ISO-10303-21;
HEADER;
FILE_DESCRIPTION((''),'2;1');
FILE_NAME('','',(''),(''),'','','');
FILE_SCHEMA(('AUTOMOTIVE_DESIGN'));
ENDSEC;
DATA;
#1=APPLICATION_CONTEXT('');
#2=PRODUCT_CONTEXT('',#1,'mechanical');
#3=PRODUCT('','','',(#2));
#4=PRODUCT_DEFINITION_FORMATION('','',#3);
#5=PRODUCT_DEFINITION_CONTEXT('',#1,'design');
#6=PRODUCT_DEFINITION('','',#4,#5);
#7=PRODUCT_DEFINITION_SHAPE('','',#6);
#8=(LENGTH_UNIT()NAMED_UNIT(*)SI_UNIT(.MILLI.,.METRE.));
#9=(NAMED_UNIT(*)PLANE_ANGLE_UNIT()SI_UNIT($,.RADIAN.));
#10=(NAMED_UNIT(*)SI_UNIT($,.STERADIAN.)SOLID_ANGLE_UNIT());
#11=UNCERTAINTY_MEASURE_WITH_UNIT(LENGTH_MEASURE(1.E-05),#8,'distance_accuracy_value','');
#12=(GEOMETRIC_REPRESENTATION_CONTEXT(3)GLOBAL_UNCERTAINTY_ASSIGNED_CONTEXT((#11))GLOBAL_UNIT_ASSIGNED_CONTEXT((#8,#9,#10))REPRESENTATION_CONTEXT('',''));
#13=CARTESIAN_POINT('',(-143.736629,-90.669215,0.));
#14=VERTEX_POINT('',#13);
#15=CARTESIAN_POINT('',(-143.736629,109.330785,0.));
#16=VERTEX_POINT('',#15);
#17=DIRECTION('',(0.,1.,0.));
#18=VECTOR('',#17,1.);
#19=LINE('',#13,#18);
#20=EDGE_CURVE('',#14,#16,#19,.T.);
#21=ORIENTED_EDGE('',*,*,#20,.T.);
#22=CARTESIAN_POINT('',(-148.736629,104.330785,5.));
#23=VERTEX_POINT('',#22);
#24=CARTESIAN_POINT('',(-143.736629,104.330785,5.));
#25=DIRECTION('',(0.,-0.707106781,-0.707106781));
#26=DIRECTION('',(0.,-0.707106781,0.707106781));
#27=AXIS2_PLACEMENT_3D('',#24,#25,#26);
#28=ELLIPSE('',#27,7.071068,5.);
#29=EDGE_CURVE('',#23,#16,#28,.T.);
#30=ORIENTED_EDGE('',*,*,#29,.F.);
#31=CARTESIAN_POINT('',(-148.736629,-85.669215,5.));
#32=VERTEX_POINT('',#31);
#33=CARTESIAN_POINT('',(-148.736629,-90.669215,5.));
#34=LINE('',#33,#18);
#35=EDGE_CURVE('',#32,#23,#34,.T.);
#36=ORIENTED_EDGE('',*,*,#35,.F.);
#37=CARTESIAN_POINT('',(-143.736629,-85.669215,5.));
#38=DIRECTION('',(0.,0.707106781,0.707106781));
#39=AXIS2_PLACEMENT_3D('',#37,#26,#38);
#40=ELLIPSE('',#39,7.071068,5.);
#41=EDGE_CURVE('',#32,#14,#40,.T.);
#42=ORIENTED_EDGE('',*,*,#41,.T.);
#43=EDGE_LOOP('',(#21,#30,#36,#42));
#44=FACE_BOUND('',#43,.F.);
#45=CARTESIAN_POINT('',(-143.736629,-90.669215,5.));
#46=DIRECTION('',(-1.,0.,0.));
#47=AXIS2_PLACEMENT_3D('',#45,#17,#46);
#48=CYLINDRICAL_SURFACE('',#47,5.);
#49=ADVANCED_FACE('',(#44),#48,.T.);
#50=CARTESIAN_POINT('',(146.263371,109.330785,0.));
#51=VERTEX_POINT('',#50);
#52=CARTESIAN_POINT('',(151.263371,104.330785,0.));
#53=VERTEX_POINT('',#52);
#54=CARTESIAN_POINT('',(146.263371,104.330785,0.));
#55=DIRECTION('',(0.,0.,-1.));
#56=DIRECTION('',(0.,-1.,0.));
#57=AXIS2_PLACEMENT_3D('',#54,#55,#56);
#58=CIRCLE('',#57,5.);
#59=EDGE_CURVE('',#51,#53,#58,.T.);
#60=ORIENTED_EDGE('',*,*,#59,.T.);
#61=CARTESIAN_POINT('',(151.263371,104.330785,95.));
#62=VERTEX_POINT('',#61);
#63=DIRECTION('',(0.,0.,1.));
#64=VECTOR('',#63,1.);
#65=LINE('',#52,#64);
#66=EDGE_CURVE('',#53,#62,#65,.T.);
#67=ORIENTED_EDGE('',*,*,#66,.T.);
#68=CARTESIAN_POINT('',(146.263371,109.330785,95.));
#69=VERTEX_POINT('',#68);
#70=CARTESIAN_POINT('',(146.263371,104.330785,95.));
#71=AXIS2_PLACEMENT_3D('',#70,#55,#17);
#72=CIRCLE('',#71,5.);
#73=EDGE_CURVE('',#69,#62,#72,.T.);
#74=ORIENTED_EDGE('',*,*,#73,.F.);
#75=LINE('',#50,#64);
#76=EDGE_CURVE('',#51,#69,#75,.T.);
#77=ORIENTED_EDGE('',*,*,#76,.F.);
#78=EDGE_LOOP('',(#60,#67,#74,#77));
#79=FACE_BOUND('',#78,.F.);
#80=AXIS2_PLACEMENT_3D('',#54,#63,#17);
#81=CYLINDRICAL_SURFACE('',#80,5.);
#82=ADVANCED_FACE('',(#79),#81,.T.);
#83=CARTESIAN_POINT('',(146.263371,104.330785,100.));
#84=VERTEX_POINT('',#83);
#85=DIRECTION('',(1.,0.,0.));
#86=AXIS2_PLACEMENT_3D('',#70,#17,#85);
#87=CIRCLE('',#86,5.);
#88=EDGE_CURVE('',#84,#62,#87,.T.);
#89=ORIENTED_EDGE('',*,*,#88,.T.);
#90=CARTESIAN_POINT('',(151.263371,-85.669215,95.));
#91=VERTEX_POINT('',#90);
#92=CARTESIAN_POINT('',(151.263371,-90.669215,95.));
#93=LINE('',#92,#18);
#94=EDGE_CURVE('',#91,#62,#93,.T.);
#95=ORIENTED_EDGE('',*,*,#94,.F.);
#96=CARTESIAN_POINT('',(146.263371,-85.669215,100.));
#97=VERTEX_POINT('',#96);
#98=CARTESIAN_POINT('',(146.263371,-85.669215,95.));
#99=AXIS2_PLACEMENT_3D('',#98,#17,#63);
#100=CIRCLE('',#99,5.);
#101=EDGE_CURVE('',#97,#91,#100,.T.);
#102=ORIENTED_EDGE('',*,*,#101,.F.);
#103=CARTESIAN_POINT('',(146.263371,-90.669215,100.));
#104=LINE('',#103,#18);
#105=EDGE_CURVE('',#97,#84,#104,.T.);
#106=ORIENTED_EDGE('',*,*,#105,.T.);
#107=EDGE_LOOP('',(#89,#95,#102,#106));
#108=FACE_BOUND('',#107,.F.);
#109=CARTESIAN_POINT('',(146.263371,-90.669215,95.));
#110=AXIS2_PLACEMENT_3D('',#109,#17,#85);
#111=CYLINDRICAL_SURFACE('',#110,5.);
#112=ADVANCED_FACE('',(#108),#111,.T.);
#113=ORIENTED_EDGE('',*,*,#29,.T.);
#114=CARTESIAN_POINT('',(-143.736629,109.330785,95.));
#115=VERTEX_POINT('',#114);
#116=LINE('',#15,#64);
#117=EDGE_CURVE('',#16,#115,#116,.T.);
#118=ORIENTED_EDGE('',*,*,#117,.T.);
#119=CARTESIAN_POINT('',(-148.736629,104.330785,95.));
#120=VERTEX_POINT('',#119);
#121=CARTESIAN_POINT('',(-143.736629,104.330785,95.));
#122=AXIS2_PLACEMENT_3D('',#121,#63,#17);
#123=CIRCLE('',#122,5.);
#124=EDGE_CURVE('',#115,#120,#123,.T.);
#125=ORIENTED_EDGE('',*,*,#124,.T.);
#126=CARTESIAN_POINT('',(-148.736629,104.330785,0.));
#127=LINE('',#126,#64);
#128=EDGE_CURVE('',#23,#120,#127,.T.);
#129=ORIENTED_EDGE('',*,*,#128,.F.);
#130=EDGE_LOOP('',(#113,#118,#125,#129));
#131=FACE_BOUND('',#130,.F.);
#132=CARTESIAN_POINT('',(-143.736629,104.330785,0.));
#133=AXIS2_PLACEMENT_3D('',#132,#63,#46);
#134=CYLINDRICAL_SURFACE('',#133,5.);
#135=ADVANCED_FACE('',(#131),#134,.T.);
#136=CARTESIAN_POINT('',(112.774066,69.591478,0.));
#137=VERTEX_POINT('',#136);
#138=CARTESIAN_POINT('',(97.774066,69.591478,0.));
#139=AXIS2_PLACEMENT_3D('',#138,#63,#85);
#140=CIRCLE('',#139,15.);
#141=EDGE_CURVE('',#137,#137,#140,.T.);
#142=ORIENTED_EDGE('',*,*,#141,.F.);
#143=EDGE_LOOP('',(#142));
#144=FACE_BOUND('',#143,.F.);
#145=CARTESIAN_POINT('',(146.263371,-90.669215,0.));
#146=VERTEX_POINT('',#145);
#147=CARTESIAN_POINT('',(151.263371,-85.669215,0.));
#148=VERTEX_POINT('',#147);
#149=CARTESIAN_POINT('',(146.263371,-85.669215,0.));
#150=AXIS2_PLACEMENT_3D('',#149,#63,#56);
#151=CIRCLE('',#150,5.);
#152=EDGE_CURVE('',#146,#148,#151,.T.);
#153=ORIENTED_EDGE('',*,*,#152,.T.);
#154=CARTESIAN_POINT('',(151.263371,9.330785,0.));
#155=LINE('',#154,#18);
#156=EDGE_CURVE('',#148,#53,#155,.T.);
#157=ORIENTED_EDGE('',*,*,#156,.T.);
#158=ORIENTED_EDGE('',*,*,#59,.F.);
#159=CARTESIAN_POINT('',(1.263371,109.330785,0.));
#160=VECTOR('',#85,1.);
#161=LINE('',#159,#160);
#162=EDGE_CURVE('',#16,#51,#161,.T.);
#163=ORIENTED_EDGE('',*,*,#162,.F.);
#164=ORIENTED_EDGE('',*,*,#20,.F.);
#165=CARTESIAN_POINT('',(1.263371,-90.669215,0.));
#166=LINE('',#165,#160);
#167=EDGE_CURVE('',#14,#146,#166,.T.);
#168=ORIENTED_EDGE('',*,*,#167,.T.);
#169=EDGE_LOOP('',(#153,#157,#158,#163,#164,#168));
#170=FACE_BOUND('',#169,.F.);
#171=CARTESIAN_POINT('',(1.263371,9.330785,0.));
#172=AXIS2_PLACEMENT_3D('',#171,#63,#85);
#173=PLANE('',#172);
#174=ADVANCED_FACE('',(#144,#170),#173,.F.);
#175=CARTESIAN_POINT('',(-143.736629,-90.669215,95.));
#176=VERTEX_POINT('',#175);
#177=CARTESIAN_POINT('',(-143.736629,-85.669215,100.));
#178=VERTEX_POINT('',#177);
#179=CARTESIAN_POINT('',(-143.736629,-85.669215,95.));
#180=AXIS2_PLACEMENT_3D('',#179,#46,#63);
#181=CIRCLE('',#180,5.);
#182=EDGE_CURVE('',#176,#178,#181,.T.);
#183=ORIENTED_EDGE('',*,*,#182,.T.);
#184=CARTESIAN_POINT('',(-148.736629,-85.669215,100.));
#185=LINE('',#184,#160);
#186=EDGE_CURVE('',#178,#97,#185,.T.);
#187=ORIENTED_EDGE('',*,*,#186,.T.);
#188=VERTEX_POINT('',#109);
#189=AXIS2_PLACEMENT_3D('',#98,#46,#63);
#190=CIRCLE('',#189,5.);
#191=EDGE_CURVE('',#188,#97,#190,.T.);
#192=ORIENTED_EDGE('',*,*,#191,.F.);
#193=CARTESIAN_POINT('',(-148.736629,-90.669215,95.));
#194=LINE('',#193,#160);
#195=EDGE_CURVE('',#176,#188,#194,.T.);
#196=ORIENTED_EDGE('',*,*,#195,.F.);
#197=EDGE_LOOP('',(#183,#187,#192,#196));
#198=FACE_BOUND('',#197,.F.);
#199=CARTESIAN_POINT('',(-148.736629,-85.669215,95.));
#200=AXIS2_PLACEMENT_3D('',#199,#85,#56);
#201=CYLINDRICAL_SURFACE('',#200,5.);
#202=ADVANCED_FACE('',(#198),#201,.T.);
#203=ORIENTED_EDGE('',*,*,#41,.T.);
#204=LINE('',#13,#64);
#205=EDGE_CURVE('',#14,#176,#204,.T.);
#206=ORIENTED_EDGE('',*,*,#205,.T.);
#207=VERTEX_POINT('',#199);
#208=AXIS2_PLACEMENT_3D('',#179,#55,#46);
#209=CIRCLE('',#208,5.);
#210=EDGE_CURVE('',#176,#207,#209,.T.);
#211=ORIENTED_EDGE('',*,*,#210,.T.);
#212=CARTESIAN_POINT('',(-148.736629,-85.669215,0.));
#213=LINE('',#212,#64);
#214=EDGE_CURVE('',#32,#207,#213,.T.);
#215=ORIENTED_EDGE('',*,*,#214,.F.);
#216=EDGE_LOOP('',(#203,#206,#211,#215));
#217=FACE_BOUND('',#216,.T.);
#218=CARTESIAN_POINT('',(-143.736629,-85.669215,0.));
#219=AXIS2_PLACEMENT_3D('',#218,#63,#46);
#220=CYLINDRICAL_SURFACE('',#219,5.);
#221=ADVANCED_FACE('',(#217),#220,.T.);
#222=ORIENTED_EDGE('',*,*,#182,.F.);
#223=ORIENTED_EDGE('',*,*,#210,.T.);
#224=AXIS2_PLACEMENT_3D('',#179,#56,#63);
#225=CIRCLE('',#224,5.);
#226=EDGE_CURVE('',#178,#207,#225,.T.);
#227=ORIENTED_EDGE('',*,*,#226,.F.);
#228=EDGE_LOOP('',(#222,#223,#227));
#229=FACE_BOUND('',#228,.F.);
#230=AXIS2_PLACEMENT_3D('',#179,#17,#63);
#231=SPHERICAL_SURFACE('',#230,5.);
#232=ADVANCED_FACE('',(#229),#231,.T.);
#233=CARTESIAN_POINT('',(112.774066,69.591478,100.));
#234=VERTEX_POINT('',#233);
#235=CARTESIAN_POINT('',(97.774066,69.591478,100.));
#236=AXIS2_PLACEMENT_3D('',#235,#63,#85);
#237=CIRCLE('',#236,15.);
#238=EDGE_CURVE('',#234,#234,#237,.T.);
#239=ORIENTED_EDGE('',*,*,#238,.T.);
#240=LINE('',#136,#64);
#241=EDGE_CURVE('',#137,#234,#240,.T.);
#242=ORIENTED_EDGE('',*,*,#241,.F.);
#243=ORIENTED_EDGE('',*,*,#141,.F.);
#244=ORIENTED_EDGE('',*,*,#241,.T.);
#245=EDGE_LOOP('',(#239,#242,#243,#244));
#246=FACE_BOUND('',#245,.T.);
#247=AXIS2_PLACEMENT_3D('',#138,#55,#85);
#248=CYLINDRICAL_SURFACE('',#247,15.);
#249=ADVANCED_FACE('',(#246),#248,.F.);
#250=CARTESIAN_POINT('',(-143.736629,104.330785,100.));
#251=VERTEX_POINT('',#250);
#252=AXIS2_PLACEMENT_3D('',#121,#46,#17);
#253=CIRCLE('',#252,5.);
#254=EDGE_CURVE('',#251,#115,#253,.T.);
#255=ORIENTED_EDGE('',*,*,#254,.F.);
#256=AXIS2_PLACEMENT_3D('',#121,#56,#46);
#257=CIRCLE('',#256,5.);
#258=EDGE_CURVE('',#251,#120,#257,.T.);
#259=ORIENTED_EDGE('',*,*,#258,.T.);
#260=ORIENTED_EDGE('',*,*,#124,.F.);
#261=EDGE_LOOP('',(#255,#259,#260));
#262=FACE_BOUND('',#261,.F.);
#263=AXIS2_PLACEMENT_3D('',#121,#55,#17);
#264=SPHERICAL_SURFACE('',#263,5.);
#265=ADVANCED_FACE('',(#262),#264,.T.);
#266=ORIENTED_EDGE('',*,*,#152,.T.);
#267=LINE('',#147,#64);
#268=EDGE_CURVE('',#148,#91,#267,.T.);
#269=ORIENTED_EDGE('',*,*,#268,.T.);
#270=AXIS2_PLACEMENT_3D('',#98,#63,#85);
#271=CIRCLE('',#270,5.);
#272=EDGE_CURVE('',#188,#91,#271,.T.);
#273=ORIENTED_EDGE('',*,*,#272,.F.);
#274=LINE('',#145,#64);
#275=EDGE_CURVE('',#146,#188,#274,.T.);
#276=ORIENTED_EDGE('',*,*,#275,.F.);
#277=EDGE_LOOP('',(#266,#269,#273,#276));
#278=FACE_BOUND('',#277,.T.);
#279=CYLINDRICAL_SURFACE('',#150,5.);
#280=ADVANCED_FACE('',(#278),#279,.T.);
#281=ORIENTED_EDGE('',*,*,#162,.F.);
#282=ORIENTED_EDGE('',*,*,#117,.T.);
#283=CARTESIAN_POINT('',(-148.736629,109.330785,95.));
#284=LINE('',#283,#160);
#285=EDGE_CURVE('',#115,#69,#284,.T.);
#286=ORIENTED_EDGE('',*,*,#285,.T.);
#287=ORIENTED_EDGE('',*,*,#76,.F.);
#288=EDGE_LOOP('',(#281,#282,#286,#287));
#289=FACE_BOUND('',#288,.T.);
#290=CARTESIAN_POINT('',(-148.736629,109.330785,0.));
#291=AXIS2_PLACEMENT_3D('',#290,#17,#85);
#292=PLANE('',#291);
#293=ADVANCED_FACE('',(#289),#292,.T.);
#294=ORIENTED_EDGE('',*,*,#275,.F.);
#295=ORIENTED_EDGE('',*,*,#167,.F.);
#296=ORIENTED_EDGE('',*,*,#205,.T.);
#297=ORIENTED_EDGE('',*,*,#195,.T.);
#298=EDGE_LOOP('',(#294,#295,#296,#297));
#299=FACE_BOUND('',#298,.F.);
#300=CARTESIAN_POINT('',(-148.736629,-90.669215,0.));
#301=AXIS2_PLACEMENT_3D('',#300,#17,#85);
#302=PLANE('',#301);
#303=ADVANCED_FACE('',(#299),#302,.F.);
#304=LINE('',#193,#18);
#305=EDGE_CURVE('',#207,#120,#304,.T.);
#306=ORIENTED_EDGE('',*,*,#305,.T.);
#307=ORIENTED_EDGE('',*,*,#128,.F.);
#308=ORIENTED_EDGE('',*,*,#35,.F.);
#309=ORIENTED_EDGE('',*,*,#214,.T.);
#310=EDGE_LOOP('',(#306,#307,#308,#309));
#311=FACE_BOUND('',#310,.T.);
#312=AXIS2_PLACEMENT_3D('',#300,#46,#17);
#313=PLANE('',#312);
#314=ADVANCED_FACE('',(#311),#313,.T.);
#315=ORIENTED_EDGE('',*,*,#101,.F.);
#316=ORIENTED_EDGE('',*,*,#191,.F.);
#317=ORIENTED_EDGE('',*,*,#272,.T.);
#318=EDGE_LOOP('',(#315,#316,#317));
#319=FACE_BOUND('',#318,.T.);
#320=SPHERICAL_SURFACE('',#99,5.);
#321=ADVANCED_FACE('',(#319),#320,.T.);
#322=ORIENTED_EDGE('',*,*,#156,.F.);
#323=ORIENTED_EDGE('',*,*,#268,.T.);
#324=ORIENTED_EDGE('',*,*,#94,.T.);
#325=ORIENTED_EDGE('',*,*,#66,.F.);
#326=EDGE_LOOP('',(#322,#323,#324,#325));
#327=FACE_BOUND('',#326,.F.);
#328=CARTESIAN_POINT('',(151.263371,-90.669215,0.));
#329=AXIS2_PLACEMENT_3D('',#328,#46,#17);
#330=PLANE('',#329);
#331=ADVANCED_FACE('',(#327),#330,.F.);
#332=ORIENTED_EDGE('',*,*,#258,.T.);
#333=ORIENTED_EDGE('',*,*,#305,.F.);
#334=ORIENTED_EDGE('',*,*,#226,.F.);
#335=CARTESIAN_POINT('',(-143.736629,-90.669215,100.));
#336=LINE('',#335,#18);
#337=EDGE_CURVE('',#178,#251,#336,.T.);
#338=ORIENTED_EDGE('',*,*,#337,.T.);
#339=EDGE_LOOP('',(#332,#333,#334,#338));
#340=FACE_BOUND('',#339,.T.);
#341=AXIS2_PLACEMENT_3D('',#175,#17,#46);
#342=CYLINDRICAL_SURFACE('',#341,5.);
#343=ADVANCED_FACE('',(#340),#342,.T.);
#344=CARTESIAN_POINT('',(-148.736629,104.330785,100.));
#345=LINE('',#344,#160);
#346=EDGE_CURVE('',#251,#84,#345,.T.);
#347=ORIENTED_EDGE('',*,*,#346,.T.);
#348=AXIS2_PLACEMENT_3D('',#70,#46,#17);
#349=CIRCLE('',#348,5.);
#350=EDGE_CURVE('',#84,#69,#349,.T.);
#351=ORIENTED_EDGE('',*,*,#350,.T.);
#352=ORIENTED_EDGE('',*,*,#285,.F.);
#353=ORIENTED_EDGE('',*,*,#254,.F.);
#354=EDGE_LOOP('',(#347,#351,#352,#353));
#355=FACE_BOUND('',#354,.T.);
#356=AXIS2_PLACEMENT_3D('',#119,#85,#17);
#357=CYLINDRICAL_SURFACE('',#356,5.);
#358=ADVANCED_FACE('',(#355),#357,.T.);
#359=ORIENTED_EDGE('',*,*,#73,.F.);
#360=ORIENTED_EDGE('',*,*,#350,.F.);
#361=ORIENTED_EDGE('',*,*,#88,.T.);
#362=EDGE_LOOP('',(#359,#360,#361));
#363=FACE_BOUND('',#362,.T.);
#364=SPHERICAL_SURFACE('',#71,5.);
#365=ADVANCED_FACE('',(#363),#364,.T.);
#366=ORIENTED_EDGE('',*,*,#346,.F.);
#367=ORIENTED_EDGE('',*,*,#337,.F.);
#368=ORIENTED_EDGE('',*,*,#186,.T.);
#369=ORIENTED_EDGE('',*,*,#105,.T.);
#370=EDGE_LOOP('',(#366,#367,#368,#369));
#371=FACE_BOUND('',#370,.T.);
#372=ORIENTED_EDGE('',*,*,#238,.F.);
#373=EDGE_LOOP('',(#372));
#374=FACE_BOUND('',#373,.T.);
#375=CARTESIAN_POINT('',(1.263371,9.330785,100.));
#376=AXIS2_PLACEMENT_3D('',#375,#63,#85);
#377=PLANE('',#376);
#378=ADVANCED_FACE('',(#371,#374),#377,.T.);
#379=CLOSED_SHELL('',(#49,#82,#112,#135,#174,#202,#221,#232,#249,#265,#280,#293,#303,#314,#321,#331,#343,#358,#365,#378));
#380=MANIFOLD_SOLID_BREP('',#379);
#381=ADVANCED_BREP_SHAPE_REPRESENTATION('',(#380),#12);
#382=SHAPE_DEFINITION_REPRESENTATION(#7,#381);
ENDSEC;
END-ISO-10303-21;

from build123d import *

# Parameters (mm, degrees)
F0_W     = 300
F0_H     = 200
F0_R     = 15
F1_DEPTH = 100
F2_R     = 5


with BuildPart() as f1:
    # F0 (on Top) → F1 (new body)
    with BuildSketch(Plane.XY):
        with Locations((1.263371, 9.330785)):
            Rectangle(F0_W, F0_H)
        with Locations((97.774066, 69.591478)):
            Circle(F0_R, mode=Mode.SUBTRACT)
    extrude(amount=F1_DEPTH)

    # F2
    f2_edges = [f1.edges().sort_by_distance(p)[0] for p in [
        (-148.736629, 109.330785, 50),
        (151.263371, 109.330785, 50),
        (1.263371, 109.330785, 100),
        (151.263371, 9.330785, 100),
        (-148.736629, 9.330785, 100),
        (1.263371, -90.669215, 100),
        (-148.736629, -90.669215, 50),
        (-148.736629, 9.330785, 0),
        (151.263371, -90.669215, 50),
    ]]
    fillet(f2_edges, radius=F2_R)


solid = f1.part
